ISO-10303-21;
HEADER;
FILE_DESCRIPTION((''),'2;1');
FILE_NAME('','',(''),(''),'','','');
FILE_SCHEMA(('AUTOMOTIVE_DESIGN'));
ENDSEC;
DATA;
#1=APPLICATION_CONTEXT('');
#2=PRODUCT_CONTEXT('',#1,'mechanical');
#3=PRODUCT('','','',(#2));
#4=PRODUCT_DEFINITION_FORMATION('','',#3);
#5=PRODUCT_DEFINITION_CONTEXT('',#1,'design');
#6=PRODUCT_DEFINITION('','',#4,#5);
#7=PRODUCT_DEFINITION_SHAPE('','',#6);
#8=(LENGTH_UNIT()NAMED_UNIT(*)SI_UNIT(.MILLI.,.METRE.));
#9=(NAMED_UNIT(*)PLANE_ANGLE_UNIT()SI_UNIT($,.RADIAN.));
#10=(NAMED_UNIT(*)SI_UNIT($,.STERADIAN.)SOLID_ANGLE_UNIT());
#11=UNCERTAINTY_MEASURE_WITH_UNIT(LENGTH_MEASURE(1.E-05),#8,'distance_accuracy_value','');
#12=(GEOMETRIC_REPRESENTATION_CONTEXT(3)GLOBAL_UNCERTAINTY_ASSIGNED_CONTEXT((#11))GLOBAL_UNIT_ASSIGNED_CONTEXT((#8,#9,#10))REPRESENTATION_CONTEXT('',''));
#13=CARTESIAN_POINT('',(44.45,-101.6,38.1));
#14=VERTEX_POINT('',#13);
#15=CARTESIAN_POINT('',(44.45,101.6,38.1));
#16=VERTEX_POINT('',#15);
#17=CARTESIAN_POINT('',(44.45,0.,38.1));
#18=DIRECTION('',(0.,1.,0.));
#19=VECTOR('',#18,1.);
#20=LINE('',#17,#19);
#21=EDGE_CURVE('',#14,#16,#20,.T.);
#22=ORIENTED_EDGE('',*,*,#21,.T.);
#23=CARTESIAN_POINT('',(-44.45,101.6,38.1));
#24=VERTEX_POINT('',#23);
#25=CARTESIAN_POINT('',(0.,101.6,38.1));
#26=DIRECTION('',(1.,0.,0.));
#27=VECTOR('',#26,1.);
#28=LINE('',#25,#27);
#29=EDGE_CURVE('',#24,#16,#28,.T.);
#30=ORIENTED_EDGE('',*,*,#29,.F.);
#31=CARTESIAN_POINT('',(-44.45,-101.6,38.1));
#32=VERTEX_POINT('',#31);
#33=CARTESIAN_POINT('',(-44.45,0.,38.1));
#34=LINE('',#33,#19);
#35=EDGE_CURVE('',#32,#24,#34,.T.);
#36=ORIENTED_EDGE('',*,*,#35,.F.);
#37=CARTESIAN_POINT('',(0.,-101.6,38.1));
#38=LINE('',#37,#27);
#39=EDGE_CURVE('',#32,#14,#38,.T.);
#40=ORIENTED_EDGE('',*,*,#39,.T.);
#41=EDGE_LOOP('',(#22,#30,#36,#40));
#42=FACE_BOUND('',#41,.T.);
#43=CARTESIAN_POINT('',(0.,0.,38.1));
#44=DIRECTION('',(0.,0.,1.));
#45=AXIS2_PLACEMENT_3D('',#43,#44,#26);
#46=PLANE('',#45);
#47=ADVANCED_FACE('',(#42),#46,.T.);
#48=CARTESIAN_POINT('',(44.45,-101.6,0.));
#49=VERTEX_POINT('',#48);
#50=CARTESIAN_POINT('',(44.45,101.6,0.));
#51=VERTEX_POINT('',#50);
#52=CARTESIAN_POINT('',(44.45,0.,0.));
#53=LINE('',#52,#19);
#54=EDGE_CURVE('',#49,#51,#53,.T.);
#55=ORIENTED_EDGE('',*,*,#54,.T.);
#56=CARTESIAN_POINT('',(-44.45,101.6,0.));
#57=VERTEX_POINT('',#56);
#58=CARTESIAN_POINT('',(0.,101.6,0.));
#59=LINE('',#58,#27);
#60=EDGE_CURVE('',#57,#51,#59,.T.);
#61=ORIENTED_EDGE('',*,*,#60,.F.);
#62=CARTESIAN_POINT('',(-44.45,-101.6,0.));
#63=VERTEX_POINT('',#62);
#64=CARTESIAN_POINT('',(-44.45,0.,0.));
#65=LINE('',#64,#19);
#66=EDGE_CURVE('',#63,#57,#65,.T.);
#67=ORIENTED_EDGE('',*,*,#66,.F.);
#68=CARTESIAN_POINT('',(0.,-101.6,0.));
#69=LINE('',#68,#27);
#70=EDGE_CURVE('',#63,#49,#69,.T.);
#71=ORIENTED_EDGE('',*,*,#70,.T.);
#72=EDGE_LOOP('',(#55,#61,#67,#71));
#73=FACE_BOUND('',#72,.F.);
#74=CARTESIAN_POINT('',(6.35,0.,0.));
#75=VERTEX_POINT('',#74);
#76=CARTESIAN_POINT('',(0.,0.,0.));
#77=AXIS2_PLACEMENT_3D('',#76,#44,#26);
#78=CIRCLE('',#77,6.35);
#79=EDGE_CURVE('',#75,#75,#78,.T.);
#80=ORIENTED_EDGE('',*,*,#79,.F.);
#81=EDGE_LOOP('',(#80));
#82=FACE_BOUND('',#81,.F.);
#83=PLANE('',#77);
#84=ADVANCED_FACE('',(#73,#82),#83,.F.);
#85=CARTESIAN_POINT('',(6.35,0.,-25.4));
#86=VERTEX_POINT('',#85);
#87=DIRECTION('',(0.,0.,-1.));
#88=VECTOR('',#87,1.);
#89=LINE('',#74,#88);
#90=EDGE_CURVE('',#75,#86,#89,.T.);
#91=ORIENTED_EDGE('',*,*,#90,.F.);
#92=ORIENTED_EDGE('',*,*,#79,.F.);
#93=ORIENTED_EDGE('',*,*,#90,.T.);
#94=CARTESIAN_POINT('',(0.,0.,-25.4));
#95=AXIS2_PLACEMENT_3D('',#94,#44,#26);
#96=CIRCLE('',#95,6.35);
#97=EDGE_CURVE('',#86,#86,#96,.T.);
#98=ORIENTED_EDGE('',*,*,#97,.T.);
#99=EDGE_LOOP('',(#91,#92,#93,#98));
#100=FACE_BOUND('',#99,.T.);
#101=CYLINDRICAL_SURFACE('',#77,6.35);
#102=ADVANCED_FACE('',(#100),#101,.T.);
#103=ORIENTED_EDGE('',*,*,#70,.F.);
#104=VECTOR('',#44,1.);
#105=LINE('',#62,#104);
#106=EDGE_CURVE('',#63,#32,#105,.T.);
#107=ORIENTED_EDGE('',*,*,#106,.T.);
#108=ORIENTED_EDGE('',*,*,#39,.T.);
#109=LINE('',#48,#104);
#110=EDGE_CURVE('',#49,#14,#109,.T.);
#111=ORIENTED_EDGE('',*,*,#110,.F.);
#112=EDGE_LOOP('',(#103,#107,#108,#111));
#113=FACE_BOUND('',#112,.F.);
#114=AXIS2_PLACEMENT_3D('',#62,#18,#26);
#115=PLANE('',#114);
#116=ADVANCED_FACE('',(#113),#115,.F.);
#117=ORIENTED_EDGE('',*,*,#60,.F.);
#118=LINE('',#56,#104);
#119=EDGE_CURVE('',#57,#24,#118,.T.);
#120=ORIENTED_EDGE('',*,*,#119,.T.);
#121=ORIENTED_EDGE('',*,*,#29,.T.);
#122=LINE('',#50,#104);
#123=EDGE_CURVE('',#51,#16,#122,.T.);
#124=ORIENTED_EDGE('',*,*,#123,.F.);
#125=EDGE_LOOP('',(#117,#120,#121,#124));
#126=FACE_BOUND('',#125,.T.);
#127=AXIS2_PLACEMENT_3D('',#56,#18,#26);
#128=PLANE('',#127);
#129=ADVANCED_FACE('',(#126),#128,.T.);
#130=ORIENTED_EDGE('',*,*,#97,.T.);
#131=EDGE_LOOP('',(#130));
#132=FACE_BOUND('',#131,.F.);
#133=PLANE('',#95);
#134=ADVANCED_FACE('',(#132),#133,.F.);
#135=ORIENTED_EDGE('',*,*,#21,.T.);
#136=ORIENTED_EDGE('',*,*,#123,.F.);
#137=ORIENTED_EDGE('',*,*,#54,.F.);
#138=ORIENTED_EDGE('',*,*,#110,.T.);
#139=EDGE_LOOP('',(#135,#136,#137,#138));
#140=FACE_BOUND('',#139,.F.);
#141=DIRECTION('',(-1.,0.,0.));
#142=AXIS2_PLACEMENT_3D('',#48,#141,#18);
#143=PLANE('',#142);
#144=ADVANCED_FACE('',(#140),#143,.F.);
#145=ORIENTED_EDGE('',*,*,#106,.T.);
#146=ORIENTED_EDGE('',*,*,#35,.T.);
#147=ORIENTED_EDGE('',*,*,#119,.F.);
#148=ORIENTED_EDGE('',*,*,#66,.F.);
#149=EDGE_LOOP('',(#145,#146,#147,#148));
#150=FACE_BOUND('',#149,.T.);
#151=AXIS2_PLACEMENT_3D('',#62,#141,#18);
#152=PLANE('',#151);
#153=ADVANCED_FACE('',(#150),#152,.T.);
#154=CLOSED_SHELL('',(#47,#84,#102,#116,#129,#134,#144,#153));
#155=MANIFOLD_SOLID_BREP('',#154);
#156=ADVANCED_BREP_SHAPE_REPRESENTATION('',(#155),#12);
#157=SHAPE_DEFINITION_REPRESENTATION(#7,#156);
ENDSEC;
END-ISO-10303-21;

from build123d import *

# Parameters (mm, degrees)
F0_W     = 88.9
F0_H     = 203.2
F1_DEPTH = 38.1
F2_R     = 6.35
F3_DEPTH = 25.4


with BuildPart() as f1:
    # F0 (on Top) → F1 (new body)
    with BuildSketch(Plane.XY):
        Rectangle(F0_W, F0_H)
    extrude(amount=F1_DEPTH)

    # F2 (on Top) → F3 (join)
    with BuildSketch(Plane.XY):
        Circle(F2_R)
    extrude(amount=-F3_DEPTH)


solid = f1.part
